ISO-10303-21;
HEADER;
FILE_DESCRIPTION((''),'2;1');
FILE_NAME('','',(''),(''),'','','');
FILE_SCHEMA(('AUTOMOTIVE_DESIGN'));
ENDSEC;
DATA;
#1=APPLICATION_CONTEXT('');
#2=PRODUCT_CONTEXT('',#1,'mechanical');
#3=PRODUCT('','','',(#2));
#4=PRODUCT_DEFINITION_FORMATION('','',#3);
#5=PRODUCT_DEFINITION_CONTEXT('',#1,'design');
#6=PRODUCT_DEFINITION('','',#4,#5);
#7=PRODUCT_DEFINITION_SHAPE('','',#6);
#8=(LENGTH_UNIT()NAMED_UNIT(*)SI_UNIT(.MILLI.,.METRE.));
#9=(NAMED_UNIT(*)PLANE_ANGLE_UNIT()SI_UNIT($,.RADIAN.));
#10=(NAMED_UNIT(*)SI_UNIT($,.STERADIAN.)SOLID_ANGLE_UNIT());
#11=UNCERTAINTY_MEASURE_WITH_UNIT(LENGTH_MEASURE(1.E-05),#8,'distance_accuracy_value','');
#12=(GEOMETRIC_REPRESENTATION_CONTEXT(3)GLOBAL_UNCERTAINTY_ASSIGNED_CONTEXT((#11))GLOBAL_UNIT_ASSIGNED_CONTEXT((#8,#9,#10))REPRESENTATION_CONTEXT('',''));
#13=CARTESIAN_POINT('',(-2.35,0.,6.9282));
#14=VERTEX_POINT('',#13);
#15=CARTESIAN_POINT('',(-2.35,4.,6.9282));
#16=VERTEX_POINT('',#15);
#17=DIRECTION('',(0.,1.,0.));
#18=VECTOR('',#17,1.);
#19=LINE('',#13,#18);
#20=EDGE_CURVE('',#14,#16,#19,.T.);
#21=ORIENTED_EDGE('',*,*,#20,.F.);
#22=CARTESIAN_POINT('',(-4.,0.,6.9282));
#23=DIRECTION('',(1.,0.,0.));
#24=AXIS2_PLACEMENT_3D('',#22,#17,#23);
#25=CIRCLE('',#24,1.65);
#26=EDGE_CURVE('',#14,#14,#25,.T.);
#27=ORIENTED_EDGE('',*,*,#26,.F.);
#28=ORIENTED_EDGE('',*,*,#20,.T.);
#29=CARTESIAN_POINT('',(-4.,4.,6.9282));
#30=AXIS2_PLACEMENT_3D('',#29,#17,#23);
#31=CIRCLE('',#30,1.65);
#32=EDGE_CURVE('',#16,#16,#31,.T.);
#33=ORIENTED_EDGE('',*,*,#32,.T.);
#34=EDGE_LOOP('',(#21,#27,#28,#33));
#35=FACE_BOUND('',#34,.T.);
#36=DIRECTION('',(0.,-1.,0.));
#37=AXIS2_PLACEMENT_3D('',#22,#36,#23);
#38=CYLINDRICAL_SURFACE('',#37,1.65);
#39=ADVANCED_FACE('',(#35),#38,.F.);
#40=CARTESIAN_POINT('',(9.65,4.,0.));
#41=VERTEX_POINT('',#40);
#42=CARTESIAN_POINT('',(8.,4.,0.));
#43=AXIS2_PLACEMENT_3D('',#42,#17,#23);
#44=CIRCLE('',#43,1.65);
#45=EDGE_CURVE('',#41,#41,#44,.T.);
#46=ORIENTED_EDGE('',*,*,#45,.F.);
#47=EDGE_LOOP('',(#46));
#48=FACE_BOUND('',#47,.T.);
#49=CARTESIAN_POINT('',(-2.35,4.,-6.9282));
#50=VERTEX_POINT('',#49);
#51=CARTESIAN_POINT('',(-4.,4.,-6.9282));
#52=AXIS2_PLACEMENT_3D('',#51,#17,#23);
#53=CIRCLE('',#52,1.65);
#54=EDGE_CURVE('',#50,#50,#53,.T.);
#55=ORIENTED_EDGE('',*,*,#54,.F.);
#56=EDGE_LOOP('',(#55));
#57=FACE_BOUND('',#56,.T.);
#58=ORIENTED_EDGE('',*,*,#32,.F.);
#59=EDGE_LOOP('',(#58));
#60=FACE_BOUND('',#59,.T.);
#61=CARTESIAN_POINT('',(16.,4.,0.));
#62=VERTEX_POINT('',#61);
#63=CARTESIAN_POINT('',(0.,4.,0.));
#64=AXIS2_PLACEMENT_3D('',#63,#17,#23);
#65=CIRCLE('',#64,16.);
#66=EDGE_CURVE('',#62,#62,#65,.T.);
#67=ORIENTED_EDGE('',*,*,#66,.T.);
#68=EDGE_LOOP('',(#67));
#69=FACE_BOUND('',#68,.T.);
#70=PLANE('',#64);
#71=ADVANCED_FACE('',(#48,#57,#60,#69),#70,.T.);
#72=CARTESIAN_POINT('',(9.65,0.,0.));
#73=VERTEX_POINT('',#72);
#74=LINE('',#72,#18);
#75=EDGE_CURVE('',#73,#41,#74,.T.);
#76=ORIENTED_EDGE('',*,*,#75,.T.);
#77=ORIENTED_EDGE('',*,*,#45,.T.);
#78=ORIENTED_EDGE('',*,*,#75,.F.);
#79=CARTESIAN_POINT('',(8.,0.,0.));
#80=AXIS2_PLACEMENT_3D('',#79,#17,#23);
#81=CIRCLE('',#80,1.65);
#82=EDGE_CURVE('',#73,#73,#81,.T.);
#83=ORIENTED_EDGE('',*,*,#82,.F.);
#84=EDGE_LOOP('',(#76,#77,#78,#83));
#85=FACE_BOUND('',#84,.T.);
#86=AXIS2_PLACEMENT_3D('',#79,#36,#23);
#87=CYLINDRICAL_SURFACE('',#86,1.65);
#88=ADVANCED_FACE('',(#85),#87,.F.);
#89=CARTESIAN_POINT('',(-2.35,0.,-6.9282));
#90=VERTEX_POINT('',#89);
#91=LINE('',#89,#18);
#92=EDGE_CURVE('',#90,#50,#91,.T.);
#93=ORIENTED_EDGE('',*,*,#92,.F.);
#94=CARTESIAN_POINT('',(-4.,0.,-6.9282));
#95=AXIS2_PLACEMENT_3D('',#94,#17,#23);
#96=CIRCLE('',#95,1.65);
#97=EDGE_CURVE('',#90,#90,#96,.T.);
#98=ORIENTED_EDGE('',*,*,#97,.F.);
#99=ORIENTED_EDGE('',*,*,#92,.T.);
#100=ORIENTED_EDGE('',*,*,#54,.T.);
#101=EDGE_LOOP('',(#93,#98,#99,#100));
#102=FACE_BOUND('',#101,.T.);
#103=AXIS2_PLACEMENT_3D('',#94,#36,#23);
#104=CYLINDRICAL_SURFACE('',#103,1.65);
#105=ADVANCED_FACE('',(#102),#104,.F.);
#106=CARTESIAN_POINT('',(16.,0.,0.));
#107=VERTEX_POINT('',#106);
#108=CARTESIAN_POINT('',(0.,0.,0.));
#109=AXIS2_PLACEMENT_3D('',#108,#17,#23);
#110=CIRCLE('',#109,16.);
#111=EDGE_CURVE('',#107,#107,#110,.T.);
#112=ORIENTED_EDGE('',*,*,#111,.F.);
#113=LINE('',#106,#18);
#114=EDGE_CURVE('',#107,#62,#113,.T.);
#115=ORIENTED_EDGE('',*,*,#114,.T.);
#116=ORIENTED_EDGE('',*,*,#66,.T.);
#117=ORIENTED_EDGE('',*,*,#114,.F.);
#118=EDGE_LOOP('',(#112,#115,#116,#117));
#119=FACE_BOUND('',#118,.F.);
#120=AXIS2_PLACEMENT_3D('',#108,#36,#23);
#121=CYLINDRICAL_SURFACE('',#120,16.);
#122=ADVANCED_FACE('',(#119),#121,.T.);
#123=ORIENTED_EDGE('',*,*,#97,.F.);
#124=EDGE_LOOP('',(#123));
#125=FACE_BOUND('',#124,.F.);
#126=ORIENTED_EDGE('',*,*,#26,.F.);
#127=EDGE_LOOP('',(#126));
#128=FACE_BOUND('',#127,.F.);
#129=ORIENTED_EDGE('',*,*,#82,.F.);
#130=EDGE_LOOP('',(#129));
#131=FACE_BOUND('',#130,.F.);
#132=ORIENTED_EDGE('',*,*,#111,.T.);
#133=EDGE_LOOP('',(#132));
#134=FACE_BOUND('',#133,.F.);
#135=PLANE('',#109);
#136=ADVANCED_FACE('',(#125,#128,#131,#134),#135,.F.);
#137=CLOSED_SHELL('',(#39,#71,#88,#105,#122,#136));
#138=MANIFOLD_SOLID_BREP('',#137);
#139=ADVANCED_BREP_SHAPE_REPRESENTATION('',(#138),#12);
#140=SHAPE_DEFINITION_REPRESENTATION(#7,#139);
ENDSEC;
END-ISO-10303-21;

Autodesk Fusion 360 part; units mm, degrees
sketch "Sketch1" plane through (0, 0, 0) normal (0, 1, 0) x (1, 0, 0)
  circle A0 centre (0, 0) radius 16
  circle A1 centre (8, 0) radius 1.65
  circle A2 centre (-4, 6.9282) radius 1.65
  circle A3 centre (-4, -6.9282) radius 1.65
  dimension "d1" = 32
  dimension "d2" = 3.3
  dimension "d3" = 8
  dimension "d5" = 360
extrude "Extrude1" add sketch "Sketch1" along normal blind 4
